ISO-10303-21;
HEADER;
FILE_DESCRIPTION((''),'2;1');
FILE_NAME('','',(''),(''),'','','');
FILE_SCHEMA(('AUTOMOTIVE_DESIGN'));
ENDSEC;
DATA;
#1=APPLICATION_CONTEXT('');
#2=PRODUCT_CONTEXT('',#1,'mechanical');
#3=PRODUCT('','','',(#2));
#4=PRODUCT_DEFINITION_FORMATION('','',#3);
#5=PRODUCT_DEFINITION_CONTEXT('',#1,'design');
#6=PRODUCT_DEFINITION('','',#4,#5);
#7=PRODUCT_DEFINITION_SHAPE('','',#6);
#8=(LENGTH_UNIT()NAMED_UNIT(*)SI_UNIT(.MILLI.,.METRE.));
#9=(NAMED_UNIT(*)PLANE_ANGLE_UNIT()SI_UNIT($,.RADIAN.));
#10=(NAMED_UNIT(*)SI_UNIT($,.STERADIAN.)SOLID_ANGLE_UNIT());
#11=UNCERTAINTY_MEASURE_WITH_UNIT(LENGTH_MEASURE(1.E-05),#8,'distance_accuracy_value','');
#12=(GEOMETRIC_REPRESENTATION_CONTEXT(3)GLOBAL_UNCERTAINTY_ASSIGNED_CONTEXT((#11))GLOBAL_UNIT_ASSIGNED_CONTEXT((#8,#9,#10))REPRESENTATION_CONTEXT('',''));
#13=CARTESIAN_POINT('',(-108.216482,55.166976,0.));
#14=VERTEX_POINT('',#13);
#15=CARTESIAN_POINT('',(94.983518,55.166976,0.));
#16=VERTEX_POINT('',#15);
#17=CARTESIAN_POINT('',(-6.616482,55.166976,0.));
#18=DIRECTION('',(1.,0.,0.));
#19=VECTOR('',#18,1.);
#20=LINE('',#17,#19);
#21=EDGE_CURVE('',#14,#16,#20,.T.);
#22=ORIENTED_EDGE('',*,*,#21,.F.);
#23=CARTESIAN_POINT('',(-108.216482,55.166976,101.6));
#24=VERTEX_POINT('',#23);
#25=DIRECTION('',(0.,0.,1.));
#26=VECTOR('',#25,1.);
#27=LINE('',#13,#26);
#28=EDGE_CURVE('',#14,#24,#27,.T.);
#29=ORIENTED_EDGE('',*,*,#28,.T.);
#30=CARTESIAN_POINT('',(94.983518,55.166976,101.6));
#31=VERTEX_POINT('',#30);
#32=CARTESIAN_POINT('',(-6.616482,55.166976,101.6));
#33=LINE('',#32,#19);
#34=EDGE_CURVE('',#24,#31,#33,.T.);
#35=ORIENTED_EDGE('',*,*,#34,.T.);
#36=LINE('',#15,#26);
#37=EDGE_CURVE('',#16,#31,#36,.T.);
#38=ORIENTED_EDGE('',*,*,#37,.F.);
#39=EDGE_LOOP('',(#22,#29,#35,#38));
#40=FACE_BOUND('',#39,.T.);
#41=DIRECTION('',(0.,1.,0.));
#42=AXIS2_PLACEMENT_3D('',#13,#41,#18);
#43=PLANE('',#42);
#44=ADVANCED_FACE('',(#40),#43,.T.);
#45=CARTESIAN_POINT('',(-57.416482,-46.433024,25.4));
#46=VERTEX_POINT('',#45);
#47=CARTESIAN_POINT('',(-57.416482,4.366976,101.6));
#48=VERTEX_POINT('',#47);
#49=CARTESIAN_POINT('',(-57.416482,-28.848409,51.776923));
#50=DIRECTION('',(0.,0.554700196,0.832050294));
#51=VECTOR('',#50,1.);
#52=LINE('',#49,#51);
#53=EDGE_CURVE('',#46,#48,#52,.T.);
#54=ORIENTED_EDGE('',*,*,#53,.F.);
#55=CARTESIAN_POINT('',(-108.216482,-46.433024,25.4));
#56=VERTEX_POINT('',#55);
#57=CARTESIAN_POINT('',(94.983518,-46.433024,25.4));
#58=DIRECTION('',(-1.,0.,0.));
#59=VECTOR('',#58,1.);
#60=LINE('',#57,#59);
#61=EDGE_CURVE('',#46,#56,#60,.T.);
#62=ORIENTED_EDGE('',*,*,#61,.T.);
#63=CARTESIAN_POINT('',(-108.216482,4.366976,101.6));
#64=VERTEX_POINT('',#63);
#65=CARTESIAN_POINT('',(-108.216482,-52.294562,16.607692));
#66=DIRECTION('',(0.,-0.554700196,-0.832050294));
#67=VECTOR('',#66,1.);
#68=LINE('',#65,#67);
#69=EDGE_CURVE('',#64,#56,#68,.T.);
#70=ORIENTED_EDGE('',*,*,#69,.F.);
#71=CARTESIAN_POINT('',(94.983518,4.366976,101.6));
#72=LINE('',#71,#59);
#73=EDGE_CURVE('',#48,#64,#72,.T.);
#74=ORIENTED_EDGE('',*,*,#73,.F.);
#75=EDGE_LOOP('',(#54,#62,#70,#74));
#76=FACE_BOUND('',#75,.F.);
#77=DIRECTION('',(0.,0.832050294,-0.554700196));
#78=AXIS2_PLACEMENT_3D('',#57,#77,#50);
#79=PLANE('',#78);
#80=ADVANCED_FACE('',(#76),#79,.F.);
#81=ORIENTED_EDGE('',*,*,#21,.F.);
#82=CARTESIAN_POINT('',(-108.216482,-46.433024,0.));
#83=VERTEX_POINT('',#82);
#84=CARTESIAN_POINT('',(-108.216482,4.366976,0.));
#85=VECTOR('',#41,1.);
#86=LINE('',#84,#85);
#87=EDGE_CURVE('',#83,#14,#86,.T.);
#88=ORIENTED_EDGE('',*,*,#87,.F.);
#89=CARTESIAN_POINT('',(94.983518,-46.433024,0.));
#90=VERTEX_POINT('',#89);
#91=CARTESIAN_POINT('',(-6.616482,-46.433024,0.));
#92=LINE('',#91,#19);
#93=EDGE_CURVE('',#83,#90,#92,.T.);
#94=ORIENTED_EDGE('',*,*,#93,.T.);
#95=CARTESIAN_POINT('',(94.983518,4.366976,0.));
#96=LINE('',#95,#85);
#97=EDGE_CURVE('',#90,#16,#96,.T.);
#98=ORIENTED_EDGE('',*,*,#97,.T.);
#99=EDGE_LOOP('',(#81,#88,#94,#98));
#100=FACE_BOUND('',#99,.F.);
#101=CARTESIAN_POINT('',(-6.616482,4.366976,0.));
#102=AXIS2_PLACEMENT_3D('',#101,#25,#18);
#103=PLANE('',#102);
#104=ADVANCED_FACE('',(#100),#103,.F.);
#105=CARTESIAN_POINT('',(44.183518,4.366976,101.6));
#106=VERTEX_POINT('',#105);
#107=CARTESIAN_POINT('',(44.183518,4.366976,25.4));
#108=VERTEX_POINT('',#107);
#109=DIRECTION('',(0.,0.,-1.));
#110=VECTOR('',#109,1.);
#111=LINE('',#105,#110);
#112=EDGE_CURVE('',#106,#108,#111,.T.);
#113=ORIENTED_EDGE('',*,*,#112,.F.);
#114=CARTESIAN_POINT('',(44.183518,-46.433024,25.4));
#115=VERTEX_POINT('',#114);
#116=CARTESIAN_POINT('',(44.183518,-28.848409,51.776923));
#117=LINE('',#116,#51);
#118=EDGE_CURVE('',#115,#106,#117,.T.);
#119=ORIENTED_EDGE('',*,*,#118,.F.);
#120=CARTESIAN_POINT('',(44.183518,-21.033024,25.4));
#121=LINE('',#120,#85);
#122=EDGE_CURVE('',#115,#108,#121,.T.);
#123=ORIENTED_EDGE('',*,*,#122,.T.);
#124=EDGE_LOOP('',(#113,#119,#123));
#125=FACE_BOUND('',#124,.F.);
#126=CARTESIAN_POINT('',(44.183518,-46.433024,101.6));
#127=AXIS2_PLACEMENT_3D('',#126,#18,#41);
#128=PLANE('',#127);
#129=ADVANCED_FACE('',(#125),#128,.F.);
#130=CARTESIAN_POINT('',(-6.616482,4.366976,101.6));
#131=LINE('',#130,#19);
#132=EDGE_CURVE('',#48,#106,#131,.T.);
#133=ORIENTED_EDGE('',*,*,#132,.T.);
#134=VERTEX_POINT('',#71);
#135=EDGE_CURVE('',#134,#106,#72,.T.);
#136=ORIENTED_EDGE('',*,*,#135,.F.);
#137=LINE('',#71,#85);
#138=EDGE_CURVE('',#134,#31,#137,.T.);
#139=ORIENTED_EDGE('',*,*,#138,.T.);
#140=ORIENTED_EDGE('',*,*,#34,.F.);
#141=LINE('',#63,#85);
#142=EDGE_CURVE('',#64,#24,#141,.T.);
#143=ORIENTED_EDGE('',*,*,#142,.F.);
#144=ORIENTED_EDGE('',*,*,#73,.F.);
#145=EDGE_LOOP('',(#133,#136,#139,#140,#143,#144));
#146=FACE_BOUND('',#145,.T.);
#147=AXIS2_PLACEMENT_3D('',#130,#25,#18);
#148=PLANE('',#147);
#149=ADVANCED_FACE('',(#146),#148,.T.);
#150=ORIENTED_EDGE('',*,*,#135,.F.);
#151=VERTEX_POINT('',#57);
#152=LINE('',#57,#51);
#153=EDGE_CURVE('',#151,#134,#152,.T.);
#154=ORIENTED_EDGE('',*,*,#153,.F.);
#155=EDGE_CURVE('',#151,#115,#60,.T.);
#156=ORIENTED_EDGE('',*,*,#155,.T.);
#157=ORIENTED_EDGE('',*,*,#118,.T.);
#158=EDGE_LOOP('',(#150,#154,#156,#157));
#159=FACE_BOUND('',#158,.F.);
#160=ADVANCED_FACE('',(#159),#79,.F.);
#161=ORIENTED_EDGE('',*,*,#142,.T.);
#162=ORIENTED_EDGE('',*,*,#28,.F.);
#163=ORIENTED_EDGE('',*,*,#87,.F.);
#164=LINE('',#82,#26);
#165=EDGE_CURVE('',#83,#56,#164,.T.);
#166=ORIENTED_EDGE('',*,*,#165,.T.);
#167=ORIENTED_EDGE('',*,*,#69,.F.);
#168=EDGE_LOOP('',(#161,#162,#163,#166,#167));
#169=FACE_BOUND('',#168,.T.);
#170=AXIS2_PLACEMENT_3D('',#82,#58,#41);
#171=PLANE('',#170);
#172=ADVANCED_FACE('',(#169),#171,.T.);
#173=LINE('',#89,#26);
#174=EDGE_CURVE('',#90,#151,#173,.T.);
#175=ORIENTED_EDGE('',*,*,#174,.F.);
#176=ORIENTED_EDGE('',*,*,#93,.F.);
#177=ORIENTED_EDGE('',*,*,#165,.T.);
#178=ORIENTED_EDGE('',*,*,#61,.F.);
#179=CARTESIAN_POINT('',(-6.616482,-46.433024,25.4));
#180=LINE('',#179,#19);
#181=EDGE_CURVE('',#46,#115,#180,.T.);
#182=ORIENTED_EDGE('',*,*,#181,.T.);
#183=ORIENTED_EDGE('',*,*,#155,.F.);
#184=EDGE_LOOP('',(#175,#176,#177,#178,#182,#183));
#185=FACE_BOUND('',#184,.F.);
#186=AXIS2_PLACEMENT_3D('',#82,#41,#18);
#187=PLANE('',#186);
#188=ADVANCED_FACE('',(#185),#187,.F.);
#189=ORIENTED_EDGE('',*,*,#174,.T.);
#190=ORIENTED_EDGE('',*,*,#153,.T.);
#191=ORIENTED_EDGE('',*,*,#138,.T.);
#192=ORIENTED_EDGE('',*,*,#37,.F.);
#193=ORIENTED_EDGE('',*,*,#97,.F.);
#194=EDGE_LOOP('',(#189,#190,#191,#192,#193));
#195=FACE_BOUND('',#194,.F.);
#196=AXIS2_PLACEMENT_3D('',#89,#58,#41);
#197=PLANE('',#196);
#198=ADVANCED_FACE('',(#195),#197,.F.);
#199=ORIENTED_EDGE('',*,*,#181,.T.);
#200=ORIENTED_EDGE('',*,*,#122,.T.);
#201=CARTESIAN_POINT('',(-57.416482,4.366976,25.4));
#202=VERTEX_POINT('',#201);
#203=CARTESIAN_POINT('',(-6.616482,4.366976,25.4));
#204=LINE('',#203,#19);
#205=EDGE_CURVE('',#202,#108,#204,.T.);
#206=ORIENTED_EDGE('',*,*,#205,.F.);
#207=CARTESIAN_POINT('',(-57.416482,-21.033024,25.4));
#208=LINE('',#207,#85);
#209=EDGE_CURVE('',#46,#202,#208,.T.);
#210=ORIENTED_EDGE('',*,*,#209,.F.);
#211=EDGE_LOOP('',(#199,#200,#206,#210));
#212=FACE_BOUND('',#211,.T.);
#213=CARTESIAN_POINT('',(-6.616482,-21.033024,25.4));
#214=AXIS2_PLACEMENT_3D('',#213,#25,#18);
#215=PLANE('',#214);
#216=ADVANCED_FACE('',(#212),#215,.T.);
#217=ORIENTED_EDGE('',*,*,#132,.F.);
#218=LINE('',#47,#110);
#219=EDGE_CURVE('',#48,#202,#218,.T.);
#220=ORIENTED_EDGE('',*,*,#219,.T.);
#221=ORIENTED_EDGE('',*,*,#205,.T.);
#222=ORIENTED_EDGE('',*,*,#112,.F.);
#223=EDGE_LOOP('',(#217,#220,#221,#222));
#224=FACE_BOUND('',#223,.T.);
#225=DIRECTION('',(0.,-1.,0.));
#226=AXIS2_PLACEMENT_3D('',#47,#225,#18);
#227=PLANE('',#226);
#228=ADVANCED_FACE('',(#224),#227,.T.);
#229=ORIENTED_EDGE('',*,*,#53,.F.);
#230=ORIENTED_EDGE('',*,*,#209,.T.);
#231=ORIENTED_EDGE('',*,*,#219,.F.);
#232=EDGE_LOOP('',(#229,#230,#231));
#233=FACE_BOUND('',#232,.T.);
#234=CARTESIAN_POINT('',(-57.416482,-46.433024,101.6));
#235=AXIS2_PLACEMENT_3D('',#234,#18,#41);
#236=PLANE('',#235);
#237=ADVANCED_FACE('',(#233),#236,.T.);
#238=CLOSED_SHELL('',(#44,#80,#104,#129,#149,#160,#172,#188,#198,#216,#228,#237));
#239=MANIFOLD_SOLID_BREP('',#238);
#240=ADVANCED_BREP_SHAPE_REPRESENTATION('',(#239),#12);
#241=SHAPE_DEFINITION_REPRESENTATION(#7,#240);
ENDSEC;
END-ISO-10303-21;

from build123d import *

# Parameters (mm, degrees)
F0_W     = 203.2
F0_H     = 101.6
F1_DEPTH = 101.6
F2_W     = 101.6
F2_H     = 50.8
F3_DEPTH = 76.2
F5_DEPTH = 203.201


with BuildPart() as f1:
    # F0 (on Top) → F1 (new body)
    with BuildSketch(Plane.XY):
        with Locations((-6.616482, 4.366976)):
            Rectangle(F0_W, F0_H)
    extrude(amount=F1_DEPTH)

    # F2 (on face) → F3 (cut)
    with BuildSketch(Plane.XY.offset(101.6)):
        with Locations((-6.616482, -21.033024)):
            Rectangle(F2_W, F2_H)
    extrude(amount=-F3_DEPTH, mode=Mode.SUBTRACT)

    # F4 (on face) → F5 (cut, through all)
    with BuildSketch(Plane.YZ.offset(94.983518)):
        Polygon((-46.433024, 25.4), (4.366976, 101.6), (-46.433024, 101.6), align=None)
    extrude(amount=-F5_DEPTH, mode=Mode.SUBTRACT)


solid = f1.part
